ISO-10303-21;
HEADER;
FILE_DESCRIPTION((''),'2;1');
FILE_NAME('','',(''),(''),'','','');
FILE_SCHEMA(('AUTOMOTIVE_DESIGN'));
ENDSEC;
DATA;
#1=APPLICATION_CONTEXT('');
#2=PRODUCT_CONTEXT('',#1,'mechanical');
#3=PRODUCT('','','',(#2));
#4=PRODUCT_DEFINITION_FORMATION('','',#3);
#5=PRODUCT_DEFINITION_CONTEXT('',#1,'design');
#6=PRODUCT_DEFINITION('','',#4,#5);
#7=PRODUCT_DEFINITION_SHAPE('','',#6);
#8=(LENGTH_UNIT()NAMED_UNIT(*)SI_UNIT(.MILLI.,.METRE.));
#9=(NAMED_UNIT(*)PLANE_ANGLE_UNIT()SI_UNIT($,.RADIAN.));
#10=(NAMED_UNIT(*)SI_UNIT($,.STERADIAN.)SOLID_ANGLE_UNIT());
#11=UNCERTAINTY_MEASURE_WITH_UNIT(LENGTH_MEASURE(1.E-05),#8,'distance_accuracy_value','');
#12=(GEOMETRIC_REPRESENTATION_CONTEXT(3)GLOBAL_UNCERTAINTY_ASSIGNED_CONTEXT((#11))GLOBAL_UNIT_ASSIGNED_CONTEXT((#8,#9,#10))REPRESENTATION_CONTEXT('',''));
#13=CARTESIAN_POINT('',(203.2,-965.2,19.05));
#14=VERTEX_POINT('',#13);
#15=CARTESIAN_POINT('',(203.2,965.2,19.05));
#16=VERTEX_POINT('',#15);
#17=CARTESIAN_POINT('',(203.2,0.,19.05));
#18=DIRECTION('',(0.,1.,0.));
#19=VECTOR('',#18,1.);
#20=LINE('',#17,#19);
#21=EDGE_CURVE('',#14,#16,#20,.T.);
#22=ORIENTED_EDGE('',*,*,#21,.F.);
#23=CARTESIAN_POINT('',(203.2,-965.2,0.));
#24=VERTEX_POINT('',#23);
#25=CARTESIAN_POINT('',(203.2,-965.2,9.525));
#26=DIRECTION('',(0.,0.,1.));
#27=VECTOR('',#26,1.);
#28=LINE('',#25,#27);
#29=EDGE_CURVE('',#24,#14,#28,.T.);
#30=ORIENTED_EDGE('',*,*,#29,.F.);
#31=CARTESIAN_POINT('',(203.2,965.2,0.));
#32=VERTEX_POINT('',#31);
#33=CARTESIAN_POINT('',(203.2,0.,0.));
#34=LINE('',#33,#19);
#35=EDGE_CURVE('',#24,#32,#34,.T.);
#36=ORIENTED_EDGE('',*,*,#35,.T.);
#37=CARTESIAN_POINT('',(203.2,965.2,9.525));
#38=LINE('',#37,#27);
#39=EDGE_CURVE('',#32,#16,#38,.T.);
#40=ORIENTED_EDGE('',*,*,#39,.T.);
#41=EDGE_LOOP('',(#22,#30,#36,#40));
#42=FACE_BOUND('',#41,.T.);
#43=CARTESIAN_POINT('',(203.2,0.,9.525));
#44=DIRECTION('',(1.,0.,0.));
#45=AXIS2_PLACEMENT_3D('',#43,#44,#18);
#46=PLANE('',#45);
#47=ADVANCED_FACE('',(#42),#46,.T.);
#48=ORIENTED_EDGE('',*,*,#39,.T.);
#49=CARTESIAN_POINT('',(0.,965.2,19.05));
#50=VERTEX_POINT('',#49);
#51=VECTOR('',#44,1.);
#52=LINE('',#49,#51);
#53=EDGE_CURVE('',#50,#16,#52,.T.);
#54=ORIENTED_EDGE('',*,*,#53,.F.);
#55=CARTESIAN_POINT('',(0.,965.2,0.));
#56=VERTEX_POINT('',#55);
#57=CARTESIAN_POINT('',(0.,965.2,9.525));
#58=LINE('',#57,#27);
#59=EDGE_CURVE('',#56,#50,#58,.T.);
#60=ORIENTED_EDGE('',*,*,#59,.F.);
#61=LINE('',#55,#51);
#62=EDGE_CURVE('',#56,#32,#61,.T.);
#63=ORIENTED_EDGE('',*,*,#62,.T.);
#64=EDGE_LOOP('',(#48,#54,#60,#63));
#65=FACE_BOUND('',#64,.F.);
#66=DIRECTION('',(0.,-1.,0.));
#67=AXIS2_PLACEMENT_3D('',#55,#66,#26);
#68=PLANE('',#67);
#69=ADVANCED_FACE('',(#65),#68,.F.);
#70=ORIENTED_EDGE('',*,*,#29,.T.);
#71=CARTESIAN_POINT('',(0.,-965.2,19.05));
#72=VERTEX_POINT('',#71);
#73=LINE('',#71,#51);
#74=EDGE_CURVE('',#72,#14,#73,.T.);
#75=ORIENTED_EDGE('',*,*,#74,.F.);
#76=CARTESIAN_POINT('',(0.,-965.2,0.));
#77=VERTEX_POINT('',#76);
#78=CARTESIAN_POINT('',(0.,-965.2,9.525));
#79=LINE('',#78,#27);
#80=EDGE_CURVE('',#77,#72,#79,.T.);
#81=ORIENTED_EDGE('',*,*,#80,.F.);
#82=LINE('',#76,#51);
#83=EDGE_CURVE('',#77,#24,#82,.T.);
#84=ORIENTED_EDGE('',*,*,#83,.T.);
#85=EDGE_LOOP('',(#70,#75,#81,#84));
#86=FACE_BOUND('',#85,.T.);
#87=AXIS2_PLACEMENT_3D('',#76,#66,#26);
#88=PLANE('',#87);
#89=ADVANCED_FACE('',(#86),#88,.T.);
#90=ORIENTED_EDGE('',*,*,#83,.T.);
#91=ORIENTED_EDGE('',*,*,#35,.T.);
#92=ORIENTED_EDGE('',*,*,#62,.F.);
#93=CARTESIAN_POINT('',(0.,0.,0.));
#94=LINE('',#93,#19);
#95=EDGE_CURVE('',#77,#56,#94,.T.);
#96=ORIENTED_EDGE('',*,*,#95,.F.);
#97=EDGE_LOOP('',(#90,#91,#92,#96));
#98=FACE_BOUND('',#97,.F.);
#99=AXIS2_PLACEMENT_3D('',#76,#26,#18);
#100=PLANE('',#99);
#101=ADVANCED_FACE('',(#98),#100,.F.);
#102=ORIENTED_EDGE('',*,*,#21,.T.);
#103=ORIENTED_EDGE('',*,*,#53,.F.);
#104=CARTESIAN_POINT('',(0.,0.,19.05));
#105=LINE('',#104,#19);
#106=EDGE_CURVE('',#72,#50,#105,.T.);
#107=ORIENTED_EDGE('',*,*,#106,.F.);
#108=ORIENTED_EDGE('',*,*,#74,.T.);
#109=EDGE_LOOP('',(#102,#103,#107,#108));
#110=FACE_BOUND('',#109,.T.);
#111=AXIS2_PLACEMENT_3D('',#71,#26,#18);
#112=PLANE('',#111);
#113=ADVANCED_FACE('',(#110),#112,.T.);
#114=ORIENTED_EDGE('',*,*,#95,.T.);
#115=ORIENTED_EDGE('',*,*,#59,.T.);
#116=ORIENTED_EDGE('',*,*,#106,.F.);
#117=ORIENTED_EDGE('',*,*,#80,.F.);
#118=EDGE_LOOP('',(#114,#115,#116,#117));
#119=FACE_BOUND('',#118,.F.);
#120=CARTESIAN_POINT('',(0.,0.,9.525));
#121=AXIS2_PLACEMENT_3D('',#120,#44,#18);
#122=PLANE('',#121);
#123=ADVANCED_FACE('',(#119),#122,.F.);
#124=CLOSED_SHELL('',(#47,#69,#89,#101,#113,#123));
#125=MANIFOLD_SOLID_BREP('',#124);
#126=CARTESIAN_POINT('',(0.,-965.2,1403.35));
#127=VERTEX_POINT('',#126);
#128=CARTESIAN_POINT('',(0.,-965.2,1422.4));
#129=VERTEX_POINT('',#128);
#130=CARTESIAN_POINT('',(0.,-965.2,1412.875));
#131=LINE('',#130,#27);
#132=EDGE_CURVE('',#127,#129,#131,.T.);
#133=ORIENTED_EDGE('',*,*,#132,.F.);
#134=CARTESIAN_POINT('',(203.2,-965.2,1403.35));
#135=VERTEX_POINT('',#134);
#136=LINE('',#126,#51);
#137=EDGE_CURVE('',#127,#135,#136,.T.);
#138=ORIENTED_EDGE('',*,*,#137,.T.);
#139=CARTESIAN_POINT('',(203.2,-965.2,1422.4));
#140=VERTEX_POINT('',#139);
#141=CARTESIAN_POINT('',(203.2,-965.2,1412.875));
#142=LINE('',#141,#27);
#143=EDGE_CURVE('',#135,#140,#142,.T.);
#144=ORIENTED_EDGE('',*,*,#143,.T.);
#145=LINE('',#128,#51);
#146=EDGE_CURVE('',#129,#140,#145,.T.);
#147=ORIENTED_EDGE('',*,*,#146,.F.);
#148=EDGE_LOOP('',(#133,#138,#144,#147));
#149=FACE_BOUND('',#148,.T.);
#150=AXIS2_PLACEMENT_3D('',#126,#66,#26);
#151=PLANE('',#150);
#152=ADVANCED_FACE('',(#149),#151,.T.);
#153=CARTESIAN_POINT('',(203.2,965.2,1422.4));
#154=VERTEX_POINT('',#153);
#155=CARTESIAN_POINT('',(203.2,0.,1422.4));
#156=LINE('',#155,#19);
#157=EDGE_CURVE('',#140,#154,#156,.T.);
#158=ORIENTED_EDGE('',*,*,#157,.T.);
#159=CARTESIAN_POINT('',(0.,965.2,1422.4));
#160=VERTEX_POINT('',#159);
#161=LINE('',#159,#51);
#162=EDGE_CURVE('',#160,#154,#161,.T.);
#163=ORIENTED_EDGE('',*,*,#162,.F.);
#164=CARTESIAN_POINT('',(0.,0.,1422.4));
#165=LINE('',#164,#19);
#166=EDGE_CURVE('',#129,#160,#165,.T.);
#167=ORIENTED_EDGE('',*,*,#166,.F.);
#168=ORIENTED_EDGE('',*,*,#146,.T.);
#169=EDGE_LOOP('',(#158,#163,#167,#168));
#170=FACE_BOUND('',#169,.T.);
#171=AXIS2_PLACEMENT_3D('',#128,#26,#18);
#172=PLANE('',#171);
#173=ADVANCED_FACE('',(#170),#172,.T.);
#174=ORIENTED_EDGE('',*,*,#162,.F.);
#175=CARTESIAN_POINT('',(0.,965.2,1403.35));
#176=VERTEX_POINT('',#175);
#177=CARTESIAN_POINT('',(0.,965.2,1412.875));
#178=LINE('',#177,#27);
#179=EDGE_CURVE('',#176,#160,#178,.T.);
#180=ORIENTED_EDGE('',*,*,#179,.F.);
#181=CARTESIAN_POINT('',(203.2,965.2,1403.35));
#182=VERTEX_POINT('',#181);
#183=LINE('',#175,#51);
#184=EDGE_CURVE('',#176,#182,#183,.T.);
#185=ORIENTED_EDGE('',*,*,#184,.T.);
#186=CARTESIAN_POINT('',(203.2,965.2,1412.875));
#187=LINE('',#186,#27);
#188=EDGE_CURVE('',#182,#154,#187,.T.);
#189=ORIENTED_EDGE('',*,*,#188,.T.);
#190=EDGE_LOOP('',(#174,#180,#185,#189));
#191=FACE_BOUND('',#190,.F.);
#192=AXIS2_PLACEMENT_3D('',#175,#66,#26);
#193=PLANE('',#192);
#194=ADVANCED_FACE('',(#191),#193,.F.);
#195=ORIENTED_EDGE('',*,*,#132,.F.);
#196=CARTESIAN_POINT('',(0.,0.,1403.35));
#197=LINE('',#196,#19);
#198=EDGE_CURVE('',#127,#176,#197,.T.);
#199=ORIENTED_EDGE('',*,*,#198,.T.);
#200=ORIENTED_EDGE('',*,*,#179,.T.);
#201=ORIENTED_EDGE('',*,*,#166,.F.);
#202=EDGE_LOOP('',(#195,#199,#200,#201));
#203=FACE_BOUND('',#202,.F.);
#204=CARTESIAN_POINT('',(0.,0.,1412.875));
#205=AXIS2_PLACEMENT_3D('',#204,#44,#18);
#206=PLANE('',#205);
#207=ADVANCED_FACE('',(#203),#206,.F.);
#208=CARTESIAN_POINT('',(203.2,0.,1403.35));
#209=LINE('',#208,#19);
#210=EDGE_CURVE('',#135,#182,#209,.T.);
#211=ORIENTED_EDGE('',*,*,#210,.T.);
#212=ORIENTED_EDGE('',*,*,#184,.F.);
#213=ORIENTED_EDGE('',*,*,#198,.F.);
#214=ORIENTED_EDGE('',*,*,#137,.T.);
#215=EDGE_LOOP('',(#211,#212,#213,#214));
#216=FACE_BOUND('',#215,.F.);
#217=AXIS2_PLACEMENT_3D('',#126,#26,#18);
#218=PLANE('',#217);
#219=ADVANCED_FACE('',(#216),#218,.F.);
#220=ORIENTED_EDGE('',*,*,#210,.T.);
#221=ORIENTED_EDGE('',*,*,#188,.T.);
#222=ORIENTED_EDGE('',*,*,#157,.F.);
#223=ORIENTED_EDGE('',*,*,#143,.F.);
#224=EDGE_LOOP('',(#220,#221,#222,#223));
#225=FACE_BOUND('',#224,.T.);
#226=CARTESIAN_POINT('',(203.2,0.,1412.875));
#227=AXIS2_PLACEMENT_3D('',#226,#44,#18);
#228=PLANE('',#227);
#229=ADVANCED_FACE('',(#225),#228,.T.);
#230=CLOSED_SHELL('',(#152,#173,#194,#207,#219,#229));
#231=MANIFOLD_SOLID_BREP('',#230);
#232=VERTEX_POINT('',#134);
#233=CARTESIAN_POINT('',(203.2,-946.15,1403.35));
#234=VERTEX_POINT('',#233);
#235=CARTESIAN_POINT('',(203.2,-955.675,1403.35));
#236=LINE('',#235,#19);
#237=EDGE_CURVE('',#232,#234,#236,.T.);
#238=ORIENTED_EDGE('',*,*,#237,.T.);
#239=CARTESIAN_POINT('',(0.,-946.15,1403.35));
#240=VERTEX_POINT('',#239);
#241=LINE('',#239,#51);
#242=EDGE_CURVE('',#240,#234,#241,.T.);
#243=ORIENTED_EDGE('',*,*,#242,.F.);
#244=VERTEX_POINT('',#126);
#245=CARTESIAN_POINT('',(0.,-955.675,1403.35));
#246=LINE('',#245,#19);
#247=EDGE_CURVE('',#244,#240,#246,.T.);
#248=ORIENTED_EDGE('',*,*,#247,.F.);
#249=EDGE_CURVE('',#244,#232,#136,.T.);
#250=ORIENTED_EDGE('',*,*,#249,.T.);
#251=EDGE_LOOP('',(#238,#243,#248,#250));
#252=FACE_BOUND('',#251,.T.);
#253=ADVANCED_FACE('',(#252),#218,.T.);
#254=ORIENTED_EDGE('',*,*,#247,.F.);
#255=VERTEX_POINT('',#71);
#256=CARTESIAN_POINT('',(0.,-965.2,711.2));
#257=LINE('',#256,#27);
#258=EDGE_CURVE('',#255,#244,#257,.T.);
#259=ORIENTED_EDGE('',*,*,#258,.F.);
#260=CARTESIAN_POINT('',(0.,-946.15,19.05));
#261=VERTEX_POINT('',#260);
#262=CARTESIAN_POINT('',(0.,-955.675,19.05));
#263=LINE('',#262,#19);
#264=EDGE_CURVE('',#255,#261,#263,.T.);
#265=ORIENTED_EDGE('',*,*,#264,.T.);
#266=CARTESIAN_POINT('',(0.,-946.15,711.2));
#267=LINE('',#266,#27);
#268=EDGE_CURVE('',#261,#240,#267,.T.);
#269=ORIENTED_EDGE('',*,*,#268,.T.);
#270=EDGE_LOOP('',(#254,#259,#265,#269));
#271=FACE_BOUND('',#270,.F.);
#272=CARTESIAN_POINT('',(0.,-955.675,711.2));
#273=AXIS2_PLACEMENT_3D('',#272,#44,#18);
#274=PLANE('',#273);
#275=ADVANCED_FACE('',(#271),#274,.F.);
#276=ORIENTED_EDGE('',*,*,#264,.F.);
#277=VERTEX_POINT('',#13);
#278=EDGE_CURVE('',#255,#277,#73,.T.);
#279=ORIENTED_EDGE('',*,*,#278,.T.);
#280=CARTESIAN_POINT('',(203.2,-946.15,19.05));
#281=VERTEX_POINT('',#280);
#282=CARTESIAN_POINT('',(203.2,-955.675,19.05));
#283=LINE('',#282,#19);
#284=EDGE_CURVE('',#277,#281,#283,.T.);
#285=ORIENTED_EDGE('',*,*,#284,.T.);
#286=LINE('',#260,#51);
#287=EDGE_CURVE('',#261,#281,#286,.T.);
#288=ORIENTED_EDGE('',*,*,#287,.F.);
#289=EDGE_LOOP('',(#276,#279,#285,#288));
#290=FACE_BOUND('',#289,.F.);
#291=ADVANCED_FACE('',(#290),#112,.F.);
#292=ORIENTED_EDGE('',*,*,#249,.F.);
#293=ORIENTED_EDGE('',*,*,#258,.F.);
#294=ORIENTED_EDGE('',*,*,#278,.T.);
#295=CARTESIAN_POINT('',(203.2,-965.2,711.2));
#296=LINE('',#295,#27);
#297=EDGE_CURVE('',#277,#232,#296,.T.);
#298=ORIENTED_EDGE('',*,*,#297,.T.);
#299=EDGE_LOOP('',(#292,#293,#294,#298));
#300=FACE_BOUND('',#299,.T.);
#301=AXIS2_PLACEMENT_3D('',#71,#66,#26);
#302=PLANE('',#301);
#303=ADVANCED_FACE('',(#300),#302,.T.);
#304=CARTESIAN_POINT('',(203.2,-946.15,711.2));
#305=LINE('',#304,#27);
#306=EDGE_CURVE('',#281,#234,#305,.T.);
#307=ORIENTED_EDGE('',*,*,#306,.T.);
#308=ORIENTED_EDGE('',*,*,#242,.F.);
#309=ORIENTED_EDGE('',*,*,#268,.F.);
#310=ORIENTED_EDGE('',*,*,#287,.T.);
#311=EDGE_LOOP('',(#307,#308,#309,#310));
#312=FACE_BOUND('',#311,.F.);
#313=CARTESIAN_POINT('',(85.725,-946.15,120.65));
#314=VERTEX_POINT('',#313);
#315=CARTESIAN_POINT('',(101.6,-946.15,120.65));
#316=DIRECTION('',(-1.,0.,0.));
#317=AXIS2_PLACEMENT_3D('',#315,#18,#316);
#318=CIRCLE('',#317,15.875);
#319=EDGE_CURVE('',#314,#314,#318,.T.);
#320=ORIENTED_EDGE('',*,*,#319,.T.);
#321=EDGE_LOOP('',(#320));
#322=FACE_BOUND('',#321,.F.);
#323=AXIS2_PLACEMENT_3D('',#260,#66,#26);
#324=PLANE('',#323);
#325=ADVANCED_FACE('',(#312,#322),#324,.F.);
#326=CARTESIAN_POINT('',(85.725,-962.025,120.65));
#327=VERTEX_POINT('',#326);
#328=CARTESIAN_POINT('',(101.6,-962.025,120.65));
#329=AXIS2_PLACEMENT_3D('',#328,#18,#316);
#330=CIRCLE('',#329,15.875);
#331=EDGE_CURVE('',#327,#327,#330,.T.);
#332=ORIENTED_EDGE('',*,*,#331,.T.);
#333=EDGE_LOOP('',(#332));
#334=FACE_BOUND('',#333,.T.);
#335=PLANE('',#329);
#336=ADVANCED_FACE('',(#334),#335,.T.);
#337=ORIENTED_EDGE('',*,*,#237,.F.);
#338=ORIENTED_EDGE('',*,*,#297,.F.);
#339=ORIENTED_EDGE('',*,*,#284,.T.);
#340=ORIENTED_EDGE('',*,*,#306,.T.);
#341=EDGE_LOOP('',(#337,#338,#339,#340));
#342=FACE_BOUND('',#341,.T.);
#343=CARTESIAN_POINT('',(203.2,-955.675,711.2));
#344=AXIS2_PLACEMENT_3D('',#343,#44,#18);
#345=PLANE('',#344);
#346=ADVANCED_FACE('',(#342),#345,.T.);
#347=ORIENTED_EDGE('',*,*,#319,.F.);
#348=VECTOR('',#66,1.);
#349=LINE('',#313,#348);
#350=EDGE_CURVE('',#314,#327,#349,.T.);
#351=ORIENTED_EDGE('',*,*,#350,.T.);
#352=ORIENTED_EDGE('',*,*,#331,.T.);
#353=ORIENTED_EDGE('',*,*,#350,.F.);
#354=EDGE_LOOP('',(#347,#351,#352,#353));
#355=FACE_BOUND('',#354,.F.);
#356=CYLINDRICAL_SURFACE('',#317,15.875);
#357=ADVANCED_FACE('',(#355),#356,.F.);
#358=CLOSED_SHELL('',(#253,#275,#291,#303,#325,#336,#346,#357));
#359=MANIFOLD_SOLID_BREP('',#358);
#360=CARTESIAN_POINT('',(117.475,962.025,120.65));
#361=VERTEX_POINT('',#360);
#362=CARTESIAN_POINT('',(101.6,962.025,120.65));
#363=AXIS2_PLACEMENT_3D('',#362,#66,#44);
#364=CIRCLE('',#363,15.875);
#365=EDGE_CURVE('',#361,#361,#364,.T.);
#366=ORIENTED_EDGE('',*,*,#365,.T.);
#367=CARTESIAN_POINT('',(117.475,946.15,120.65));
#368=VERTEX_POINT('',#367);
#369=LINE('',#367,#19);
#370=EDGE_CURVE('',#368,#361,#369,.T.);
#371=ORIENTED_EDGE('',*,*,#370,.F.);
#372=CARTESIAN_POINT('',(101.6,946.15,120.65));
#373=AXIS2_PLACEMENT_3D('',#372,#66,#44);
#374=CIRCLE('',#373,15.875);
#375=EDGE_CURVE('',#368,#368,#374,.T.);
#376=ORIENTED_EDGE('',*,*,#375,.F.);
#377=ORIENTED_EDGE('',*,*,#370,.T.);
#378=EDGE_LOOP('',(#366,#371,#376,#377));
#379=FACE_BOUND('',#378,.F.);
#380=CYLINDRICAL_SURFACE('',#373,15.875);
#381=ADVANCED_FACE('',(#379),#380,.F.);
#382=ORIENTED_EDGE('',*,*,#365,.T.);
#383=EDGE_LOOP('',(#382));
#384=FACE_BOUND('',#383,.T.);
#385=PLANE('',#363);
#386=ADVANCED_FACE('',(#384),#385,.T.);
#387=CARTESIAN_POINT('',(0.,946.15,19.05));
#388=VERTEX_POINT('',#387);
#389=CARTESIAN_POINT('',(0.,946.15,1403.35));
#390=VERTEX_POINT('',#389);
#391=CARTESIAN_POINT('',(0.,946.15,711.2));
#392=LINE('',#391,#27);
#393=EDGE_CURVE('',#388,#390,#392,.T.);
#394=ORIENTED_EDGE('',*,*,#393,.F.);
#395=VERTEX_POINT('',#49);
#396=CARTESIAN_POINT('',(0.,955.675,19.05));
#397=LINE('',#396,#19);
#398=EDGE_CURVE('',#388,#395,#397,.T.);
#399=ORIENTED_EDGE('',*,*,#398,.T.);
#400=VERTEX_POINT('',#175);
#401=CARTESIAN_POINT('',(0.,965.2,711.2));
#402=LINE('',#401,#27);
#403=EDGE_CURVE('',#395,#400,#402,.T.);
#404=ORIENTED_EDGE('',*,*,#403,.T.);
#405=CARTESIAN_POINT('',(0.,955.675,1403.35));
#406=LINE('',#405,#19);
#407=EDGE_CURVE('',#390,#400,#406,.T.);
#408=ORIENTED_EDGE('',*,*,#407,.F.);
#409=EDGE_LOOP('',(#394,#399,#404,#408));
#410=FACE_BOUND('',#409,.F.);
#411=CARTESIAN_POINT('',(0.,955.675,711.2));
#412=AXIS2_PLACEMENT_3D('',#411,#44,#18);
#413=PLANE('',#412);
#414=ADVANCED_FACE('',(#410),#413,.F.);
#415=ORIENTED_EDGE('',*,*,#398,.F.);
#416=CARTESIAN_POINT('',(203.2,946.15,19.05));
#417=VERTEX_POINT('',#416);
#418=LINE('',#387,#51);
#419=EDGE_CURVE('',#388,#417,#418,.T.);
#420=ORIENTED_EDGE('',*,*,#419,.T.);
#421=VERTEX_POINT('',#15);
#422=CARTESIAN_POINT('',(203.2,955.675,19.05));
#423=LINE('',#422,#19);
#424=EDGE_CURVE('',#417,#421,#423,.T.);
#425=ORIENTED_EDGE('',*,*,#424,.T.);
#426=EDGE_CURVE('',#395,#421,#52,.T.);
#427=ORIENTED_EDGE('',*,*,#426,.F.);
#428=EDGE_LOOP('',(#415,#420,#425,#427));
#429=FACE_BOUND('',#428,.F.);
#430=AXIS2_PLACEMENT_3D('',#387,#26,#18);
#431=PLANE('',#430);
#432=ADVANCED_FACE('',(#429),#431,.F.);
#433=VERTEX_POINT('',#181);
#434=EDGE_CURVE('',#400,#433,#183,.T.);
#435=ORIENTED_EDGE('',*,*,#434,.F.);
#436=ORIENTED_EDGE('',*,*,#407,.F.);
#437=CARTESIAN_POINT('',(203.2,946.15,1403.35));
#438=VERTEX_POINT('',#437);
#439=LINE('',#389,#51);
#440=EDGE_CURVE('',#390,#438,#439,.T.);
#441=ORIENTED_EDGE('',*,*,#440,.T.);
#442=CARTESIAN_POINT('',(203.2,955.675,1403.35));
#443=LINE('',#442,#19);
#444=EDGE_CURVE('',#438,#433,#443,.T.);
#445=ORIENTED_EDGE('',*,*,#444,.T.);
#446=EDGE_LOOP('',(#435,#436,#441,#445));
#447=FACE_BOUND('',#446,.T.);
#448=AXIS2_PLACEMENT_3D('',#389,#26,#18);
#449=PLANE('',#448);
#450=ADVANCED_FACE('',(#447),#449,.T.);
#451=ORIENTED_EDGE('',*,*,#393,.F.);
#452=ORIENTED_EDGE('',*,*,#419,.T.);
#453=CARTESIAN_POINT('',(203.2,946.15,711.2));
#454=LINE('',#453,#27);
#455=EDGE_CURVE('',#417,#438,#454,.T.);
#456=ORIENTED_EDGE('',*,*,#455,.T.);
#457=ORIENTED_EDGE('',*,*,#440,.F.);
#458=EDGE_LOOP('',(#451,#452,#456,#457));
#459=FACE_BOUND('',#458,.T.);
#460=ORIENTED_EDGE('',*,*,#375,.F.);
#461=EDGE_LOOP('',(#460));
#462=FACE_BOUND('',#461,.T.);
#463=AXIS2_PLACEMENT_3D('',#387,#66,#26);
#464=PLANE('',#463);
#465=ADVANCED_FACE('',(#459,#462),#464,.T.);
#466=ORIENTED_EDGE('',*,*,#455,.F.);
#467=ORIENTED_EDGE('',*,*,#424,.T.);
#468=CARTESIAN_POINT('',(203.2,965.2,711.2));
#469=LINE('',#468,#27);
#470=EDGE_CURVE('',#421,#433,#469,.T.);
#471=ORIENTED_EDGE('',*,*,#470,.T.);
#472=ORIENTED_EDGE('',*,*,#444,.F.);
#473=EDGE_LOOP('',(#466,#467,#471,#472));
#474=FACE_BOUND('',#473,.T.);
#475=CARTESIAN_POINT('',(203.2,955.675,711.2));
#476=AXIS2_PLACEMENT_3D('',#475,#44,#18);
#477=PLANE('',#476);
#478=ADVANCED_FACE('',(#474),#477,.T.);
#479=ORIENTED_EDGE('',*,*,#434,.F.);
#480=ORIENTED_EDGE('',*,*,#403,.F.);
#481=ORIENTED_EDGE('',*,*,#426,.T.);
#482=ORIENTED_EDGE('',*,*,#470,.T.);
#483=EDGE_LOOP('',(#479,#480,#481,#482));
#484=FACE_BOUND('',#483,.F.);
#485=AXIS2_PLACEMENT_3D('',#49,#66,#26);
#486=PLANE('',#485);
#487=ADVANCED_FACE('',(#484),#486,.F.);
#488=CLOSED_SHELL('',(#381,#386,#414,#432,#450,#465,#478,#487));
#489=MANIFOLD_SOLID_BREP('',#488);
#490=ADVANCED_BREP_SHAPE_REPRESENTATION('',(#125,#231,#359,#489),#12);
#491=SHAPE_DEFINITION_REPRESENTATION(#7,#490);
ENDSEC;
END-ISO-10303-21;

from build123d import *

# Parameters (mm, degrees)
F0_W     = 1930.4
F0_H     = 19.05
F1_DEPTH = 203.2
F2_W     = 19.05
F2_H     = 1384.3
F3_DEPTH = 203.2
F4_R     = 15.875
F5_DEPTH = 15.875
F6_R     = 15.875
F7_DEPTH = 15.875


with BuildPart() as f1:
    # F0 (on Right) → F1 (new body)
    with BuildSketch(Plane.YZ):
        with Locations((0, 9.525)):
            Rectangle(F0_W, F0_H)
        with Locations((0, 1412.875)):
            Rectangle(F0_W, F0_H)
    extrude(amount=F1_DEPTH)


with BuildPart() as f3:
    # F2 (on Right) → F3 (new body, through all)
    with BuildSketch(Plane.YZ):
        with Locations((-955.675, 711.2)):
            Rectangle(F2_W, F2_H)
        with Locations((955.675, 711.2)):
            Rectangle(F2_W, F2_H)
    extrude(amount=F3_DEPTH)

    # F4 (on face) → F5 (cut)
    with BuildSketch(Plane(origin=(0, -946.15, 0), x_dir=(-1, 0, 0), z_dir=(0, 1, 0))):
        with Locations((-101.6, 120.65)):
            Circle(F4_R)
    extrude(amount=-F5_DEPTH, mode=Mode.SUBTRACT)

    # F6 (on face) → F7 (cut)
    with BuildSketch(Plane.XZ.offset(-946.15)):
        with Locations((101.6, 120.65)):
            Circle(F6_R)
    extrude(amount=-F7_DEPTH, mode=Mode.SUBTRACT)


solid = Compound([f1.part, f3.part])
